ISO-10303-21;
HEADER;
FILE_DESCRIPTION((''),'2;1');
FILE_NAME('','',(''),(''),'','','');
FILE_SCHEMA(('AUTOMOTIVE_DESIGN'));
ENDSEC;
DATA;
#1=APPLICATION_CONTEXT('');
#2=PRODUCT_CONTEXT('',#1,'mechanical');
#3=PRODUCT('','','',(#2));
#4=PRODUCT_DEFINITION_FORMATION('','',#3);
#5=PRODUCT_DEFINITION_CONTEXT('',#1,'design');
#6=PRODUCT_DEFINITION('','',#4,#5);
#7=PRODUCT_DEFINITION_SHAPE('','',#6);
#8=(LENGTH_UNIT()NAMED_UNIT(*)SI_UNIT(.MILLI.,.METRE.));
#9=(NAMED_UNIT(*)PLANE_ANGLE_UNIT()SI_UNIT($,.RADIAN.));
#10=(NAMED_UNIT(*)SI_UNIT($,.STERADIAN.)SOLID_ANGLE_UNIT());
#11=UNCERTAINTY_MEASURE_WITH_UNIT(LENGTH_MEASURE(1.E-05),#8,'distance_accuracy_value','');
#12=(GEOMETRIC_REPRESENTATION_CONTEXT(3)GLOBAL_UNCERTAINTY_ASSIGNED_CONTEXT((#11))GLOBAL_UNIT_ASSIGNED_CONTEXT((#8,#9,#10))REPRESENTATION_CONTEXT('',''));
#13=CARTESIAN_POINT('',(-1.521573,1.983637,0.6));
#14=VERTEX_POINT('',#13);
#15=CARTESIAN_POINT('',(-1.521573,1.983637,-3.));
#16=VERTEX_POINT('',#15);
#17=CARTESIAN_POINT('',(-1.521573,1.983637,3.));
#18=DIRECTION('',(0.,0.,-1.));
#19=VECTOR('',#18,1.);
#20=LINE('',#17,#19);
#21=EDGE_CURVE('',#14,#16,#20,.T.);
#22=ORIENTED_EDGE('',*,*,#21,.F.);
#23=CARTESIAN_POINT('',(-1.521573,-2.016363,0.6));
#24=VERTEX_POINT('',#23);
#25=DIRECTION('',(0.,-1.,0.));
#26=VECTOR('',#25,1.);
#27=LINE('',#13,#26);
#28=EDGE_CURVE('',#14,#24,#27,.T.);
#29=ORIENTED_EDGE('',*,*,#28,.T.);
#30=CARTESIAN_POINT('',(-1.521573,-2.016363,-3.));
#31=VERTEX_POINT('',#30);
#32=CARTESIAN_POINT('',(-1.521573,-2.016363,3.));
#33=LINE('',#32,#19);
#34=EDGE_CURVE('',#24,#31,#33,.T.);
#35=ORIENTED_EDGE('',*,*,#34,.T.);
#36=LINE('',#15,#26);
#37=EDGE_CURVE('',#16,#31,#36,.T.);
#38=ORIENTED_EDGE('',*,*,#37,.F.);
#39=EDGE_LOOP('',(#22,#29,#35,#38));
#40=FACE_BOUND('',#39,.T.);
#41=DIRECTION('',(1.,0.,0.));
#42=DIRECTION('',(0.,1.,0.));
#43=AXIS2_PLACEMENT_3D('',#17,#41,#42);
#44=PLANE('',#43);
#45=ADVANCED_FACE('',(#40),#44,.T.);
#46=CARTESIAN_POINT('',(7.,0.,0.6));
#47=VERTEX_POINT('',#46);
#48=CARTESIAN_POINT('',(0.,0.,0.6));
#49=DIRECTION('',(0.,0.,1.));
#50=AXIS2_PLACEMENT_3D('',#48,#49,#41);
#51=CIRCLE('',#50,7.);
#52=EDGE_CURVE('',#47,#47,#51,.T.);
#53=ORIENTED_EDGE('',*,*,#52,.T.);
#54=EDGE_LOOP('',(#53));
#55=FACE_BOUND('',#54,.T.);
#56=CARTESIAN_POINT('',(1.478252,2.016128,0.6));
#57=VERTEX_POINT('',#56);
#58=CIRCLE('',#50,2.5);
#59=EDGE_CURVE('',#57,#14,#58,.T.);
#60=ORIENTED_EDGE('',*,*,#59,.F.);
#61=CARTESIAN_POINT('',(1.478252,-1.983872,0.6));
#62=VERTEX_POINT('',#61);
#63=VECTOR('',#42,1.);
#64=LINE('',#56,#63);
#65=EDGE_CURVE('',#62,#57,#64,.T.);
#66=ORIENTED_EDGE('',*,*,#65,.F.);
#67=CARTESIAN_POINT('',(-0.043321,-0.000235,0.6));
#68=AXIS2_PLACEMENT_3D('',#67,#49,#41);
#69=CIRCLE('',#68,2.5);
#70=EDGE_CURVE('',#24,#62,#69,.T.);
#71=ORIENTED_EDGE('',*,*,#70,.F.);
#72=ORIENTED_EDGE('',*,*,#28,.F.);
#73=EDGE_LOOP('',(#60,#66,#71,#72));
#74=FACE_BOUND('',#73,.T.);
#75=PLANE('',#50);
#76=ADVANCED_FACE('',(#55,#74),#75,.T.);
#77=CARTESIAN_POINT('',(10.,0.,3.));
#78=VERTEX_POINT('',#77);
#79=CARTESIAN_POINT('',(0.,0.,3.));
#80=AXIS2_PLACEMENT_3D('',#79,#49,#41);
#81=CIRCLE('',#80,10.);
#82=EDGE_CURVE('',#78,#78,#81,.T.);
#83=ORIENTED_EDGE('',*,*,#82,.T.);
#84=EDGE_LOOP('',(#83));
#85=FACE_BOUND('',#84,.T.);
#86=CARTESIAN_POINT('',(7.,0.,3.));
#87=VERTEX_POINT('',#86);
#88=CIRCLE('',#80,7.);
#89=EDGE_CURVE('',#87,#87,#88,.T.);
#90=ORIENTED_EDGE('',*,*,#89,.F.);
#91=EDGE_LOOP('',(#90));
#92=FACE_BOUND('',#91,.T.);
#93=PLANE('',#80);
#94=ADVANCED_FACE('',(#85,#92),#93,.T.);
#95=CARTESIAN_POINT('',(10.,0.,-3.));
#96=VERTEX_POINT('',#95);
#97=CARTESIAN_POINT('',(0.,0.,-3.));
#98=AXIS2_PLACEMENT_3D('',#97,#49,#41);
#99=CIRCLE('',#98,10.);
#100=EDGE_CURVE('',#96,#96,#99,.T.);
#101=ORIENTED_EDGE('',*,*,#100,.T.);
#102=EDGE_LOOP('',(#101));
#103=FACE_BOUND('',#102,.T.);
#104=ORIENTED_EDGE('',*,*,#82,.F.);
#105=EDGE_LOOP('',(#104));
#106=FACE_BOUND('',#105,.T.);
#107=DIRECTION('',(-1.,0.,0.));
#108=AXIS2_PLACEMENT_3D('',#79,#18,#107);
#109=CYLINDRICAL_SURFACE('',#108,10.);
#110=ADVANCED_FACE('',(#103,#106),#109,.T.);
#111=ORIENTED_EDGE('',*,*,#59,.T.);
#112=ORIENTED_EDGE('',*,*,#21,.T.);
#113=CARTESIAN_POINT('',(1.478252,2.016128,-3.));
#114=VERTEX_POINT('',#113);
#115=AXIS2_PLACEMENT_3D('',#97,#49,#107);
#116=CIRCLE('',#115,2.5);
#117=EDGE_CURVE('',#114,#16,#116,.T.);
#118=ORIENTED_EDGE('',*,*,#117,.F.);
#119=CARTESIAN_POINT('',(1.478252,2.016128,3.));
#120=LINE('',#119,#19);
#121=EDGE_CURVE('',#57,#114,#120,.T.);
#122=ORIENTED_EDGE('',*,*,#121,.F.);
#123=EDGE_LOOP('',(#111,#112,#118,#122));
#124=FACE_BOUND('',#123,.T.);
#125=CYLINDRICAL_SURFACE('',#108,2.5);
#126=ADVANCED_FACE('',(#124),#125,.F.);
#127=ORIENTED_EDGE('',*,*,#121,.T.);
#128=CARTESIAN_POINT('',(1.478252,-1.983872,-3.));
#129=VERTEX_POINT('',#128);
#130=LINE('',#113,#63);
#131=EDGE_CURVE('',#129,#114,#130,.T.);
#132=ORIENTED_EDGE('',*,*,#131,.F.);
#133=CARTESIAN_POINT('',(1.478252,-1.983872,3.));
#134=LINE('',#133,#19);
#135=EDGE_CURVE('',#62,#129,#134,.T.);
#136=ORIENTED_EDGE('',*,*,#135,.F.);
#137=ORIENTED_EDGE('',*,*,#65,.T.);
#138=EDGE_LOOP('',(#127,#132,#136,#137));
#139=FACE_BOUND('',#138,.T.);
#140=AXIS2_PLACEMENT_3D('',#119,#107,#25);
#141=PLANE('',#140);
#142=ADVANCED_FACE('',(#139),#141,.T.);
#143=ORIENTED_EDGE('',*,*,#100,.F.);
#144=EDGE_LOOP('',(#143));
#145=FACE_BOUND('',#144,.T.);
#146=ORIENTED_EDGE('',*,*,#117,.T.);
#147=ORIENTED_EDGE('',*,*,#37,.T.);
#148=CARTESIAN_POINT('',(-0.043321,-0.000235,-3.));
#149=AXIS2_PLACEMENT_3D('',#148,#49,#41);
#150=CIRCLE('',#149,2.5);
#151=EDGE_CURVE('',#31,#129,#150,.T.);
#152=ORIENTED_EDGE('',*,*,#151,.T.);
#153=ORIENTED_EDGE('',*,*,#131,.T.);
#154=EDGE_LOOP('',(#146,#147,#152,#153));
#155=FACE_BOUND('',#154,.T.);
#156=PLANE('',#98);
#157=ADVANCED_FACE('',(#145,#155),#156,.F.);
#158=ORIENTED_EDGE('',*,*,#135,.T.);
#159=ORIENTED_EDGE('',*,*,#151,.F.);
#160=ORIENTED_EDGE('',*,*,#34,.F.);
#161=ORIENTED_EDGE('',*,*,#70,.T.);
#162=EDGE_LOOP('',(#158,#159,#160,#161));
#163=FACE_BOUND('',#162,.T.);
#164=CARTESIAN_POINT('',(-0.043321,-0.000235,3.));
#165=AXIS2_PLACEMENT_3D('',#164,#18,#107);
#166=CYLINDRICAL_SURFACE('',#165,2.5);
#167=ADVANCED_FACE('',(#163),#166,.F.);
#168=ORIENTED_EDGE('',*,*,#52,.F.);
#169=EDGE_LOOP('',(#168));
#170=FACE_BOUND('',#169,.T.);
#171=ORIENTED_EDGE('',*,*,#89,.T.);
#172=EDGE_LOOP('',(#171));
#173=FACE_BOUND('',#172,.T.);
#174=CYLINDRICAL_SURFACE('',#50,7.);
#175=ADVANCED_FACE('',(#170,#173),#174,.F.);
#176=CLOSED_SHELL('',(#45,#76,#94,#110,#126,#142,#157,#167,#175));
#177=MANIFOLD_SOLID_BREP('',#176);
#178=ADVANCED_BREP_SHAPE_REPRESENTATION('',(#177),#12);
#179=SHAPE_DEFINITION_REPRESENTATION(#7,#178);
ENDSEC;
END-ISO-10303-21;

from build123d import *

# Parameters (mm, degrees)
SKETCH1_R           = 10
BOSS_EXTRUDE1_DEPTH = 3
SKETCH2_R           = 7
CUT_EXTRUDE1_DEPTH  = 2.4


with BuildPart() as part:
    # Sketch1 → Boss-Extrude1 (new, symmetric)
    with BuildSketch(Plane.XY):
        Circle(SKETCH1_R)
        with BuildLine():
            Line((-1.521572539, 1.983637318), (-1.521572539, -2.016362682))
            ThreePointArc((-1.521572539, -2.016362682), (-0.016245384, -2.500087973), (1.478251514, -1.983871914))
            Line((1.478251514, -1.983871914), (1.478251514, 2.016128086))
            ThreePointArc((1.478251514, 2.016128086), (-0.02707564, 2.499853378), (-1.521572539, 1.983637318))
        make_face(mode=Mode.SUBTRACT)
    extrude(amount=BOSS_EXTRUDE1_DEPTH, both=True)

    # Sketch2 → Cut-Extrude1 (cut)
    with BuildSketch(Plane.XY.offset(3)):
        Circle(SKETCH2_R)
    extrude(amount=-CUT_EXTRUDE1_DEPTH, mode=Mode.SUBTRACT)


solid = part.part
